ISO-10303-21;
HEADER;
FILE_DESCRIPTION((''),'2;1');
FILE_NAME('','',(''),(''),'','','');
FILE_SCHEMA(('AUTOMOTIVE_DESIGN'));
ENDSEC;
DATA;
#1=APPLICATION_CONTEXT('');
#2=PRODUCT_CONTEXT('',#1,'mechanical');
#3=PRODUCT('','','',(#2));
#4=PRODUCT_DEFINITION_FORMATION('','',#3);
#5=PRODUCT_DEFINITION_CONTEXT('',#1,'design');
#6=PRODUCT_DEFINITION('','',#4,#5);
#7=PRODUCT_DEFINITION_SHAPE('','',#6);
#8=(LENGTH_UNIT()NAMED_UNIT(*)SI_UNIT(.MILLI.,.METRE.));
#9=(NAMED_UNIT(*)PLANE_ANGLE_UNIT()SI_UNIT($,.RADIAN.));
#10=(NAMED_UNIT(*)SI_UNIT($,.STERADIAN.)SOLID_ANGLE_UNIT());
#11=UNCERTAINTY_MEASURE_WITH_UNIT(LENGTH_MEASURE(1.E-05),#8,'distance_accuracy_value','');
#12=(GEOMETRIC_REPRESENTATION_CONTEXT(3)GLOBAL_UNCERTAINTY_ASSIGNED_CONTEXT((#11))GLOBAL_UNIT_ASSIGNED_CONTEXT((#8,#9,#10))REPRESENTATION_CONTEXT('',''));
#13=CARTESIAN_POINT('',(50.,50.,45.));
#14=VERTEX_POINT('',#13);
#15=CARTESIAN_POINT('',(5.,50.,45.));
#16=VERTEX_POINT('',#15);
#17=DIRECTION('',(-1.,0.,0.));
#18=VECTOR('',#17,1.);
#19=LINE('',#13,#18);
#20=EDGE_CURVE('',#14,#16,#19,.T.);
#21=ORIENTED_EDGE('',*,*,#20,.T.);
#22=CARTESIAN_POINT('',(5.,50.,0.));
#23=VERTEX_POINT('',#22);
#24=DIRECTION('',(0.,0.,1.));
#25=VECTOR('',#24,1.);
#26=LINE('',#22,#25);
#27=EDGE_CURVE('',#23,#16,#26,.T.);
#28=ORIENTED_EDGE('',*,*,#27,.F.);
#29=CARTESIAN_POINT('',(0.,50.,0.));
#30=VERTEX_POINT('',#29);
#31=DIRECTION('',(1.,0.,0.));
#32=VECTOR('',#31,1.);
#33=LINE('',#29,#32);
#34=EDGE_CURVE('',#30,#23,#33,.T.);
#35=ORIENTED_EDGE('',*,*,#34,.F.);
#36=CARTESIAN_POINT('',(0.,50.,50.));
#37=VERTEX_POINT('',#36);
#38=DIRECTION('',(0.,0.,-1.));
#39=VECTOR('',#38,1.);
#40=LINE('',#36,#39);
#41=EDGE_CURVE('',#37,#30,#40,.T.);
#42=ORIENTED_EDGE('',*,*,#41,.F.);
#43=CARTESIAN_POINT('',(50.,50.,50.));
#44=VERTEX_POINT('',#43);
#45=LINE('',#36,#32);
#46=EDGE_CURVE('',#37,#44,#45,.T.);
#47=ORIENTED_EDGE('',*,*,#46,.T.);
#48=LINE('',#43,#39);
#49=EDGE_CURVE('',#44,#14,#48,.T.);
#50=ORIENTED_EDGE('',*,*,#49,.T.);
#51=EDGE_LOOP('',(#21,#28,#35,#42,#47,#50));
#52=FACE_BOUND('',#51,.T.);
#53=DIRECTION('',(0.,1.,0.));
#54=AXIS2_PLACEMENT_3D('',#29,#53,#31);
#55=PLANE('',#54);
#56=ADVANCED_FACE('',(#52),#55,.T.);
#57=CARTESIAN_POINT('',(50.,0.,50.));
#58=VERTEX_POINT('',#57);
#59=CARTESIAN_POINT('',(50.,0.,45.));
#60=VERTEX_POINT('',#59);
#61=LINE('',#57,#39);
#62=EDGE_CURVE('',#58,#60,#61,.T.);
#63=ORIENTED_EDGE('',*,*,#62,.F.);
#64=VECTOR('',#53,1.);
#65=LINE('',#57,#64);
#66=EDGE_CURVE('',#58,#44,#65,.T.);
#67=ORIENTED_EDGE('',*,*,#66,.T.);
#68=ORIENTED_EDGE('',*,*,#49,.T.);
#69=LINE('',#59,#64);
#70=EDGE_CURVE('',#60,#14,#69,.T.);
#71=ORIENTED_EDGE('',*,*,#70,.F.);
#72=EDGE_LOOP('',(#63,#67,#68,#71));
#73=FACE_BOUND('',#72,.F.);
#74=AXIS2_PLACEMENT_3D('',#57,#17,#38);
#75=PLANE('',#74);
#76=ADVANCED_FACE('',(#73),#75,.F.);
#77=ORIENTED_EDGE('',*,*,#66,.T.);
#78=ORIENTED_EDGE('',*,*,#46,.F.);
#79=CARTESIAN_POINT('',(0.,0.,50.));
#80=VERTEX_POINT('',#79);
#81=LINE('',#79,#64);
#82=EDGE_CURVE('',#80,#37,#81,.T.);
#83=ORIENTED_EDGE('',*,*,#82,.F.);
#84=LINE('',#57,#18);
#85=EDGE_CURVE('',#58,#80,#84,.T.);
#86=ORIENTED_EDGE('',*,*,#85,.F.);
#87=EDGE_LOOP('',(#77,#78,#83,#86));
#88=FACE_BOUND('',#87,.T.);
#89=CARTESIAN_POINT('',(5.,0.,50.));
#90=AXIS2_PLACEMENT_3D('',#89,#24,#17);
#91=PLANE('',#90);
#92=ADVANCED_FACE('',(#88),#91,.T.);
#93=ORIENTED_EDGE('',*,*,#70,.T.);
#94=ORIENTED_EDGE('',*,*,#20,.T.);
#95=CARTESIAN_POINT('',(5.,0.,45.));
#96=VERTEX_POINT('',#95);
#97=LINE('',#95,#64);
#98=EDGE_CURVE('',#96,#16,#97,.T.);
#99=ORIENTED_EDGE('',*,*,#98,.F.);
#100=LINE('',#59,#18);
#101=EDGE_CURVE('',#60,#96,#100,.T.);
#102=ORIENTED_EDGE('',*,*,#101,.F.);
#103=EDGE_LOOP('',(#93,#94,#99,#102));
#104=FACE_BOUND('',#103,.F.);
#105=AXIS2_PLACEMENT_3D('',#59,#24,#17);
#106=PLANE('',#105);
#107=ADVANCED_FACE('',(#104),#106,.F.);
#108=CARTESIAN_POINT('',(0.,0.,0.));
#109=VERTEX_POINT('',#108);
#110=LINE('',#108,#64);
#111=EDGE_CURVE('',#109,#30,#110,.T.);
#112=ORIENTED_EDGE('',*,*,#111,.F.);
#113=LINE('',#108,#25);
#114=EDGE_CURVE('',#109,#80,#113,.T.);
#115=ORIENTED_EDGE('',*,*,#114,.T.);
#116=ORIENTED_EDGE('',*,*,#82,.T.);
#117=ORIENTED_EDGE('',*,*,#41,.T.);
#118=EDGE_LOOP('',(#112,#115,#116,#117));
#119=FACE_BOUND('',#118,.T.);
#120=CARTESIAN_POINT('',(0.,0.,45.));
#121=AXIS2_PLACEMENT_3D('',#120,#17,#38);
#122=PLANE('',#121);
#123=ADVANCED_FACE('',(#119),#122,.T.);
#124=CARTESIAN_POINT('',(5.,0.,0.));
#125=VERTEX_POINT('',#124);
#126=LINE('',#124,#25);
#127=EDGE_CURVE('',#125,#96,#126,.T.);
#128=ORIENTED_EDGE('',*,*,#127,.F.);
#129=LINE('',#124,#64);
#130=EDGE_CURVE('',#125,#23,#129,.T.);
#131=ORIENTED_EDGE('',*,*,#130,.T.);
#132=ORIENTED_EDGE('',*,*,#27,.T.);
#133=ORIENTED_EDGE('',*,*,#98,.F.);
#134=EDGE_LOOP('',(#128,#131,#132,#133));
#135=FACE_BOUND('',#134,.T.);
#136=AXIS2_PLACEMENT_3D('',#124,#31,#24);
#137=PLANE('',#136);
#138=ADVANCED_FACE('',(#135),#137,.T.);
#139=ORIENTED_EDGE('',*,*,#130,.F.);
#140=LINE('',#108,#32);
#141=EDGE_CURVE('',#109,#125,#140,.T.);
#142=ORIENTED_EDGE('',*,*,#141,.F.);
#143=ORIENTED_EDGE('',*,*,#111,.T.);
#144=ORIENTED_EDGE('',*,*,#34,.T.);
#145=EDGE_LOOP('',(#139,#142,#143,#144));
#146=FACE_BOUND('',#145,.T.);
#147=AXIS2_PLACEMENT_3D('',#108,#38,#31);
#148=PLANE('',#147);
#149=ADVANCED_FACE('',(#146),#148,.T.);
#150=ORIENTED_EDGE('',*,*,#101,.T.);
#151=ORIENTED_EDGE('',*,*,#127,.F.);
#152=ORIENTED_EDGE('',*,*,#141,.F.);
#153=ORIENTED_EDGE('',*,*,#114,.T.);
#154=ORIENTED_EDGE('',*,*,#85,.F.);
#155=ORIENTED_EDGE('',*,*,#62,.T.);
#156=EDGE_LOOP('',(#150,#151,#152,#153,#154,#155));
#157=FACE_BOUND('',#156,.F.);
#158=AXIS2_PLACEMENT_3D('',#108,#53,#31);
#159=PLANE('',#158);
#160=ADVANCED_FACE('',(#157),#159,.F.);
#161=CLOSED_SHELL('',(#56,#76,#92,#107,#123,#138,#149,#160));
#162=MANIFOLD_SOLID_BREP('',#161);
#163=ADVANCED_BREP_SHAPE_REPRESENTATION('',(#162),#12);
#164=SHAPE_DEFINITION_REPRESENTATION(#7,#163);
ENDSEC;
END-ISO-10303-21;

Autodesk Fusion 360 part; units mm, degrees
sketch "Sketch1" plane through (0, 0, 0) normal (0, 1, 0) x (1, 0, 0)
  line L0 (0, 0) -> (5, 0)
  line L1 (5, 0) -> (5, -50)
  line L2 (5, -50) -> (0, -50)
  line L3 (0, -50) -> (0, 0)
  line L4 (0, -50) -> (50, -50)
  line L5 (50, -50) -> (50, -45)
  line L6 (50, -45) -> (0, -45)
  line L7 (0, -45) -> (0, -50)
  dimension "d1" = 5
  dimension "d2" = 50
  dimension "d3" = 50
  dimension "d4" = 5
extrude "Extrude1" add sketch "Sketch1" along normal blind 50
